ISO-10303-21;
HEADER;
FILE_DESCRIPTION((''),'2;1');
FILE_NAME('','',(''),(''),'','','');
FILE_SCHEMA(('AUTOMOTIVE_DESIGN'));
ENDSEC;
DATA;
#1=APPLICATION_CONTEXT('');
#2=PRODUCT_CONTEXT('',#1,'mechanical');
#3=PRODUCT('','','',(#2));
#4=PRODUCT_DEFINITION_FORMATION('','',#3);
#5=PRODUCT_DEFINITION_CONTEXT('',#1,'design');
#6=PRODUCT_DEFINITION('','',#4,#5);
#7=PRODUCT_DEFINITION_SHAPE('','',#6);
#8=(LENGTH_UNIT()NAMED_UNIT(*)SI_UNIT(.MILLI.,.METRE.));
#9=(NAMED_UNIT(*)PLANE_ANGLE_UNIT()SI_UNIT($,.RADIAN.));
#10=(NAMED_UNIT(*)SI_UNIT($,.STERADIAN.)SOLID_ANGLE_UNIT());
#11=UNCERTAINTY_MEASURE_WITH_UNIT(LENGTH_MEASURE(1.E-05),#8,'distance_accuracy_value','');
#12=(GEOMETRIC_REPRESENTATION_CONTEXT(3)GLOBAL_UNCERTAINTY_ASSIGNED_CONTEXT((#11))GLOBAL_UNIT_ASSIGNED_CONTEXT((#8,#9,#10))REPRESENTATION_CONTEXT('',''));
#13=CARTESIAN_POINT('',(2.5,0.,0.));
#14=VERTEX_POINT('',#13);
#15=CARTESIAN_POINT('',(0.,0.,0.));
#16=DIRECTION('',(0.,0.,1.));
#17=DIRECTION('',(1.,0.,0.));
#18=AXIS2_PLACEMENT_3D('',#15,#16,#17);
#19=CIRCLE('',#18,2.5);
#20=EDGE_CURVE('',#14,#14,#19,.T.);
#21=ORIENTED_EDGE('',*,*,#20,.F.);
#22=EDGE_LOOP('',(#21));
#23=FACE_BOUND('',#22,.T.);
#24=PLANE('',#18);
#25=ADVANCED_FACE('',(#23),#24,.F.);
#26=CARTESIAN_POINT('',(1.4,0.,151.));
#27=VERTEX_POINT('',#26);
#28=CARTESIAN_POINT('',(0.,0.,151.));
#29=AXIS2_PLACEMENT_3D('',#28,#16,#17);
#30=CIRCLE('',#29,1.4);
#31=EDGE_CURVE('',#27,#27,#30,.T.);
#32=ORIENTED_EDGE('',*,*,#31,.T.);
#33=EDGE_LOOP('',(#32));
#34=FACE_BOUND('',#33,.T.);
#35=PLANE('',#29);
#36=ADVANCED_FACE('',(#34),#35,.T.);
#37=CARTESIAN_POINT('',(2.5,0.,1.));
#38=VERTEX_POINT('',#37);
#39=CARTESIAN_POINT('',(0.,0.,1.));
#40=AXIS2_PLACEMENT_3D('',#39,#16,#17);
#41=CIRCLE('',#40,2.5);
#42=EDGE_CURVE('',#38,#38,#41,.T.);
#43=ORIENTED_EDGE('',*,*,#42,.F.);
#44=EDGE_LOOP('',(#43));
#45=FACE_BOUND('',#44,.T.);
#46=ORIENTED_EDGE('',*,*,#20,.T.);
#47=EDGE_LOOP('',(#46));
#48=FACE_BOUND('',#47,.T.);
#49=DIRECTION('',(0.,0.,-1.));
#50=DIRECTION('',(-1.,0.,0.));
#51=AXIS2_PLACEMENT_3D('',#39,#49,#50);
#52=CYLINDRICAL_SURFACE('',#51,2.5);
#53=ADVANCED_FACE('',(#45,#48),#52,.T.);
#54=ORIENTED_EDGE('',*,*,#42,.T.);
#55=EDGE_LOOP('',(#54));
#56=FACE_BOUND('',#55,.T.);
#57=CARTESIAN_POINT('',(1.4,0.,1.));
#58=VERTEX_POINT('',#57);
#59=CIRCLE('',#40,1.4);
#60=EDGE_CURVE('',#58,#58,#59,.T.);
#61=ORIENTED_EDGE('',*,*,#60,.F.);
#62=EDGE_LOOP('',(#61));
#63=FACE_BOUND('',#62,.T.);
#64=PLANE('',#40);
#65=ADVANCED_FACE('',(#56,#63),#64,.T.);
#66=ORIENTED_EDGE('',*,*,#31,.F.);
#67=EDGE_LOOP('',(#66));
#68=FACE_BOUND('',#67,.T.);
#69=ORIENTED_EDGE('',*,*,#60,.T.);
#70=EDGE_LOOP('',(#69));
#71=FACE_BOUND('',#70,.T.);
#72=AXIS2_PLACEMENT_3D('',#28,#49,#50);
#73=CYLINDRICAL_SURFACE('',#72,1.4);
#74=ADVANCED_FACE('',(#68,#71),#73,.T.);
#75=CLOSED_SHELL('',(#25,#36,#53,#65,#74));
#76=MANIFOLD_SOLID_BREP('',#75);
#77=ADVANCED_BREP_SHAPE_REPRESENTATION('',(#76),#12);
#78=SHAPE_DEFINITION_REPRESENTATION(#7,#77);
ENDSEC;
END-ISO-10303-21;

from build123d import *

# Parameters (mm, degrees)
SKETCH2_R           = 2.5
BOSS_EXTRUDE1_DEPTH = 1
SKETCH3_R           = 1.4
BOSS_EXTRUDE2_DEPTH = 150


with BuildPart() as part:
    # Sketch2 → Boss-Extrude1 (new body)
    with BuildSketch(Plane.XY):
        Circle(SKETCH2_R)
    extrude(amount=BOSS_EXTRUDE1_DEPTH)

    # Sketch3 → Boss-Extrude2 (add)
    with BuildSketch(Plane.XY.offset(1)):
        Circle(SKETCH3_R)
    extrude(amount=BOSS_EXTRUDE2_DEPTH)


solid = part.part
